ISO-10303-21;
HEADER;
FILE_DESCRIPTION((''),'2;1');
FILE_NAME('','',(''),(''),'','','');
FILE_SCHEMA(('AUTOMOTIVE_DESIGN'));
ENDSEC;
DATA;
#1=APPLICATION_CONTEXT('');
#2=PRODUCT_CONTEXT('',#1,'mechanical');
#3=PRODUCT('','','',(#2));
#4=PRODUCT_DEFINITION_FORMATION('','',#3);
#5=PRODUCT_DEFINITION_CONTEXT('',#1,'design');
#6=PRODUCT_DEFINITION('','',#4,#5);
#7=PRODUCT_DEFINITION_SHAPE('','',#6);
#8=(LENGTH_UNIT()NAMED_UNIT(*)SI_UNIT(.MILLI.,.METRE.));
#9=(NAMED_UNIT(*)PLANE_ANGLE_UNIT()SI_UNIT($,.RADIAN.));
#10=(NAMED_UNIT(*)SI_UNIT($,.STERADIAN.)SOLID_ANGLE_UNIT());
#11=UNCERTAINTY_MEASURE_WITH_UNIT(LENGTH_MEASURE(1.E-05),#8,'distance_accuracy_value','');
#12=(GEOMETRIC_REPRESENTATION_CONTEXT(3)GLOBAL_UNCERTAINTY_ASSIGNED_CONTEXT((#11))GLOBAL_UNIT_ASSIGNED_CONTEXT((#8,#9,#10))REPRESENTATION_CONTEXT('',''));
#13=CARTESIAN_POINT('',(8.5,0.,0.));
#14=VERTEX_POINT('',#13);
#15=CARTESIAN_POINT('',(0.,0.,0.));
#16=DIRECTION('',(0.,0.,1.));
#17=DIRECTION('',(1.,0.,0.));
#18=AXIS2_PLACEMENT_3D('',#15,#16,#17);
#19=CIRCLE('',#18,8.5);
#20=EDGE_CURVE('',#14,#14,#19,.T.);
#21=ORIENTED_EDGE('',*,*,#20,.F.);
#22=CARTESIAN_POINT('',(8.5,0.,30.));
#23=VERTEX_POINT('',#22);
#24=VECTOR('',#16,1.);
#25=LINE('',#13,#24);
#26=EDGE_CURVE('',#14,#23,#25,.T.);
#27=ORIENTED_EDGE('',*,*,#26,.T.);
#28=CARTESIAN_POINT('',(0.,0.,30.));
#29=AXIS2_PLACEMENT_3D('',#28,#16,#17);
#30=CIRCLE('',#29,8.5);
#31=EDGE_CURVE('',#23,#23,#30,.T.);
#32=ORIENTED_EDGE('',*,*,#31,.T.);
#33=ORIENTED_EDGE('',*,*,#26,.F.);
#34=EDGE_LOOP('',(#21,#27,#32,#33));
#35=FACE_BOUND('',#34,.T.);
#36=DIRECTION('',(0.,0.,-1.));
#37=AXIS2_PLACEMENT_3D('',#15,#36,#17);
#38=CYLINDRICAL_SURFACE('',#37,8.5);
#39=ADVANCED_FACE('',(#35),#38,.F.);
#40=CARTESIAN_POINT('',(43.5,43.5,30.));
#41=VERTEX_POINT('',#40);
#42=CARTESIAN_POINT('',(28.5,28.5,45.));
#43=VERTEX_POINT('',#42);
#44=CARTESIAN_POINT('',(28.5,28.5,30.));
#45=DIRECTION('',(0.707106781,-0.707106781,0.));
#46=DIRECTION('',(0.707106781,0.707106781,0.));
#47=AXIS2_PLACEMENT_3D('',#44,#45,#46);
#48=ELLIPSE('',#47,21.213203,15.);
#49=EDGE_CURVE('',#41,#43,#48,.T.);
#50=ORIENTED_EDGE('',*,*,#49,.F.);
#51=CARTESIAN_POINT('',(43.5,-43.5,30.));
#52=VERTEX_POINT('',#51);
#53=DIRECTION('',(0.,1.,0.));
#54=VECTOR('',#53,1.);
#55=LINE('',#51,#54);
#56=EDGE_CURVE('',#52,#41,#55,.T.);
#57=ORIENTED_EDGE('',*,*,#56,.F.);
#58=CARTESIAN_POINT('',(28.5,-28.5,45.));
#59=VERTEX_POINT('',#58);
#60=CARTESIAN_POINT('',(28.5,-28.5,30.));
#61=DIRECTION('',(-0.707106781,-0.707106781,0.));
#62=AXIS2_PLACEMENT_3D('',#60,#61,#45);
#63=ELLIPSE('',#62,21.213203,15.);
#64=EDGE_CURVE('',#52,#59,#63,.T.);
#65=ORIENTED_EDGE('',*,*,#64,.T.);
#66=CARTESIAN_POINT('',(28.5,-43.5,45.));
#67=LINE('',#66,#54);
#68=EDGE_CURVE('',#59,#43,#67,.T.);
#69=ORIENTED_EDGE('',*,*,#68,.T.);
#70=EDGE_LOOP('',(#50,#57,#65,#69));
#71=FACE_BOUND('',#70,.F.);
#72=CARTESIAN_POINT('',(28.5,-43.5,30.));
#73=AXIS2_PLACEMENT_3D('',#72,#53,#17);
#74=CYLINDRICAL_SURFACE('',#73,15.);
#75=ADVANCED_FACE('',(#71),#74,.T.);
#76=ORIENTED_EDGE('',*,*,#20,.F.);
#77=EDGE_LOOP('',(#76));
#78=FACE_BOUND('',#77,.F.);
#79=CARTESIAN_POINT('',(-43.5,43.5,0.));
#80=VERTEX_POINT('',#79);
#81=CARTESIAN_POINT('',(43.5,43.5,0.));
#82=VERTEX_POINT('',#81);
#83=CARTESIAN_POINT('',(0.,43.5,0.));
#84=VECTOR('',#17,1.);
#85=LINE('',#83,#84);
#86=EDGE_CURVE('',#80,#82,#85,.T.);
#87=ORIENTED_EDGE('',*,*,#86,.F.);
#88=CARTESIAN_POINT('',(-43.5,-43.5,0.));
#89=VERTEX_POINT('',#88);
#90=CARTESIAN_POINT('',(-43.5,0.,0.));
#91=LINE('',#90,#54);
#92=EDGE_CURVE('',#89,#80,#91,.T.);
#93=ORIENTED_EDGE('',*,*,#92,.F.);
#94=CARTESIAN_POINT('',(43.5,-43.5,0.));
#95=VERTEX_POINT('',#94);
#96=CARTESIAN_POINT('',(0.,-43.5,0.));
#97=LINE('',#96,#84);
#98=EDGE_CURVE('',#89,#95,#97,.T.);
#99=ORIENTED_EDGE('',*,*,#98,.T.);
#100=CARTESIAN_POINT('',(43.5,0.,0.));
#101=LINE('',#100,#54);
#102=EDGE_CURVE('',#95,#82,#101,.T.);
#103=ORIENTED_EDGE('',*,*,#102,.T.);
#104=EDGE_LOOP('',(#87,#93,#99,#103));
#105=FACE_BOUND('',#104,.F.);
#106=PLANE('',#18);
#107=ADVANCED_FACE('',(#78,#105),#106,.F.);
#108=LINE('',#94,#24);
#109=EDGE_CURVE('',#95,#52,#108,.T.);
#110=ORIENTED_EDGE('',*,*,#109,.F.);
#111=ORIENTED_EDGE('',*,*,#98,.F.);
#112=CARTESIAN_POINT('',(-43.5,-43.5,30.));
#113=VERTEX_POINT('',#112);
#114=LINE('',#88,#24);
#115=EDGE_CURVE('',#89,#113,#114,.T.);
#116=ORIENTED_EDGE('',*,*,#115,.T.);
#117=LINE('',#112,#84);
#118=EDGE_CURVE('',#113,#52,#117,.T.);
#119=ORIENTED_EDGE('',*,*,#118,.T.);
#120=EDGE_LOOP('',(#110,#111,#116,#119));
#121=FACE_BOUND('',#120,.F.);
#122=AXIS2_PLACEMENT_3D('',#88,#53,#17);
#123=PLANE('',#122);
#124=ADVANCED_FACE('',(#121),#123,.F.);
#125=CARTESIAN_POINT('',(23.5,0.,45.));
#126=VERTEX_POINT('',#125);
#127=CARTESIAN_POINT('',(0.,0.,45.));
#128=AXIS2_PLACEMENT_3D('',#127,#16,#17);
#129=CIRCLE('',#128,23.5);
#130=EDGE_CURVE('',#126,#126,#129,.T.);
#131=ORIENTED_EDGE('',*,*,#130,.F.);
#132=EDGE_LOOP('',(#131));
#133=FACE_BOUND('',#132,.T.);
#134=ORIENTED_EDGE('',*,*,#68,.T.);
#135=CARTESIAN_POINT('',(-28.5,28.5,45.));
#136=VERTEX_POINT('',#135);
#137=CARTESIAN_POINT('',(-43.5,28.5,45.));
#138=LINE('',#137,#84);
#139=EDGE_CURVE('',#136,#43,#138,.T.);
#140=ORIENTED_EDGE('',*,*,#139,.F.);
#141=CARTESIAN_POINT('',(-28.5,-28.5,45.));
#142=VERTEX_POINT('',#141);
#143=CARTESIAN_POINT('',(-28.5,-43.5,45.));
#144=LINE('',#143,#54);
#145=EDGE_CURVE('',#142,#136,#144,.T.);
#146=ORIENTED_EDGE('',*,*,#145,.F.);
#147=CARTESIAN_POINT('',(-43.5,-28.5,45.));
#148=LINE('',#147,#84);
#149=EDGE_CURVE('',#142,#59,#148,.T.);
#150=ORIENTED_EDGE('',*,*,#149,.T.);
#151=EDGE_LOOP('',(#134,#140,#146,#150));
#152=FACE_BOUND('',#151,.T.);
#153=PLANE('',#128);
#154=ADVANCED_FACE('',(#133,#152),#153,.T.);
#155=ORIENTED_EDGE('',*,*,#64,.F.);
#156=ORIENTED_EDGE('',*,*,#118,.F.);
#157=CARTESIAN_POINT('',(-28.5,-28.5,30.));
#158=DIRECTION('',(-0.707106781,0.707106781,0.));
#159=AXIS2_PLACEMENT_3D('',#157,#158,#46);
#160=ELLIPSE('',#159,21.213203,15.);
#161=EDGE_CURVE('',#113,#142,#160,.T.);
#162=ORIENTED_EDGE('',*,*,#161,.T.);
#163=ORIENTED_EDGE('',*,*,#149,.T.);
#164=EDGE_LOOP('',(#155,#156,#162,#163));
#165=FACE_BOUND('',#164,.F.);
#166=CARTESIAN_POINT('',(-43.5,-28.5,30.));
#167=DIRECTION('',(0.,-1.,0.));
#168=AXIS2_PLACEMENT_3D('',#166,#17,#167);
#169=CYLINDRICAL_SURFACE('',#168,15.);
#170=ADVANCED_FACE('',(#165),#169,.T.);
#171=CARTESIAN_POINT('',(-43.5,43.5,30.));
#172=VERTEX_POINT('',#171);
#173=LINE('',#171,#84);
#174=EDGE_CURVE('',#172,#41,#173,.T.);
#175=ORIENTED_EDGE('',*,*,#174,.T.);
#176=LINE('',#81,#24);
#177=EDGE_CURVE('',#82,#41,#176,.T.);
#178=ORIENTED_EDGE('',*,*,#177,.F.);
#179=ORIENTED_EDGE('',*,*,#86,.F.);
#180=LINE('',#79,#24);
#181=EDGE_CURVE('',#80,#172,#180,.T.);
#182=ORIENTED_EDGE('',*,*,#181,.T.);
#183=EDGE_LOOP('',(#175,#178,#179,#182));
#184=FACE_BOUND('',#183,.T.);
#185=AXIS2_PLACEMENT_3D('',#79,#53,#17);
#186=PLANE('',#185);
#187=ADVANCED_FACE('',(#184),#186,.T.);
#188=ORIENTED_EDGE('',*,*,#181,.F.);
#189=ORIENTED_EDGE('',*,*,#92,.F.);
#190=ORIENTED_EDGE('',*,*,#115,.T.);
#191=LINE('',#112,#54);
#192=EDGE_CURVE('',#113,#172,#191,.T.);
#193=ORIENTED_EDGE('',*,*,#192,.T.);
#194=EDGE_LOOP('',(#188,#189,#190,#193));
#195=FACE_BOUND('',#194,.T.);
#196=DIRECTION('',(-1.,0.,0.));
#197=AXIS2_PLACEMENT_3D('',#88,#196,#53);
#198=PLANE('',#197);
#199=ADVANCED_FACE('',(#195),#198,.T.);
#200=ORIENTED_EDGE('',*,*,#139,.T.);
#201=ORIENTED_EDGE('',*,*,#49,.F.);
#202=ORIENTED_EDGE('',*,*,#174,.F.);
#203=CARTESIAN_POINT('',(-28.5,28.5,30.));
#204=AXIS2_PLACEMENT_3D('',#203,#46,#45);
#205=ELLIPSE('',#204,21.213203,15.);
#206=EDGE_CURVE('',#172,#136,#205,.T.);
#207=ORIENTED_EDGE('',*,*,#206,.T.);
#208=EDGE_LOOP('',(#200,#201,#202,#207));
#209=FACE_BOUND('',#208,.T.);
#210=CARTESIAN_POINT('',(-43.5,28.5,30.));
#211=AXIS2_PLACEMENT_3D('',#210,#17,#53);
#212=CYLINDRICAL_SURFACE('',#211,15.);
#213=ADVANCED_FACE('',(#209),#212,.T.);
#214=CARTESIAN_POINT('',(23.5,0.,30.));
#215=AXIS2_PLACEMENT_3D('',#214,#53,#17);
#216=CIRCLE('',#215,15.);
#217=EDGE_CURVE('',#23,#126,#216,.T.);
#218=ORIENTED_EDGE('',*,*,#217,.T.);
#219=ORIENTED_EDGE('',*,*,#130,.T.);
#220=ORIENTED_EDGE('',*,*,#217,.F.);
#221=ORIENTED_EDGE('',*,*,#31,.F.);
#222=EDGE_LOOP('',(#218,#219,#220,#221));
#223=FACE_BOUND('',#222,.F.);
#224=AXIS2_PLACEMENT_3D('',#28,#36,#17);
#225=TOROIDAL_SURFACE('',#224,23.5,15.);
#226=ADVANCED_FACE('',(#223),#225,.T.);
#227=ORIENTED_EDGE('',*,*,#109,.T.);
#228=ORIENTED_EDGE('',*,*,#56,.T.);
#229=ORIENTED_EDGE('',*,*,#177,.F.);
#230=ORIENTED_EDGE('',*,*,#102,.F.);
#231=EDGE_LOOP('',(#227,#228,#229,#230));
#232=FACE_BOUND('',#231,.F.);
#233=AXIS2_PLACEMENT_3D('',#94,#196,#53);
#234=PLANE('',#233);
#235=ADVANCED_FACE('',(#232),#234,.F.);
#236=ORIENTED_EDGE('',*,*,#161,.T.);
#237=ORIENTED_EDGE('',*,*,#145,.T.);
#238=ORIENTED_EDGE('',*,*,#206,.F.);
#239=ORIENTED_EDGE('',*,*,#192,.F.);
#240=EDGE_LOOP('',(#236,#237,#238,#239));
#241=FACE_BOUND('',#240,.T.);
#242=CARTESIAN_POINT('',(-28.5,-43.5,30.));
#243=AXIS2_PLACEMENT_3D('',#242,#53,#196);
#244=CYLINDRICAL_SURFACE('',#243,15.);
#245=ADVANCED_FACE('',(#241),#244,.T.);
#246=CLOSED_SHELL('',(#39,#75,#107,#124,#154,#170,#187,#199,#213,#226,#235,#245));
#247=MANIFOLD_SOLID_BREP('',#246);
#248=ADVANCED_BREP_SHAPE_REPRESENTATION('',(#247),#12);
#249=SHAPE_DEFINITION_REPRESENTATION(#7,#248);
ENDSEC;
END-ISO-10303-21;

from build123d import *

# Parameters (mm, degrees)
F0_W     = 87
F0_H     = 87
F0_R     = 8.5
F1_DEPTH = 45
F2_R     = 15


with BuildPart() as f1:
    # F0 (on Top) → F1 (new body)
    with BuildSketch(Plane.XY):
        Rectangle(F0_W, F0_H)
        Circle(F0_R, mode=Mode.SUBTRACT)
    extrude(amount=F1_DEPTH)

    # F2
    f2_edges = [f1.edges().sort_by_distance(p)[0] for p in [
        (0, -43.5, 45),
        (43.5, 0, 45),
        (0, 43.5, 45),
        (-43.5, 0, 45),
        (-8.5, 0, 45),
    ]]
    fillet(f2_edges, radius=F2_R)


solid = f1.part
